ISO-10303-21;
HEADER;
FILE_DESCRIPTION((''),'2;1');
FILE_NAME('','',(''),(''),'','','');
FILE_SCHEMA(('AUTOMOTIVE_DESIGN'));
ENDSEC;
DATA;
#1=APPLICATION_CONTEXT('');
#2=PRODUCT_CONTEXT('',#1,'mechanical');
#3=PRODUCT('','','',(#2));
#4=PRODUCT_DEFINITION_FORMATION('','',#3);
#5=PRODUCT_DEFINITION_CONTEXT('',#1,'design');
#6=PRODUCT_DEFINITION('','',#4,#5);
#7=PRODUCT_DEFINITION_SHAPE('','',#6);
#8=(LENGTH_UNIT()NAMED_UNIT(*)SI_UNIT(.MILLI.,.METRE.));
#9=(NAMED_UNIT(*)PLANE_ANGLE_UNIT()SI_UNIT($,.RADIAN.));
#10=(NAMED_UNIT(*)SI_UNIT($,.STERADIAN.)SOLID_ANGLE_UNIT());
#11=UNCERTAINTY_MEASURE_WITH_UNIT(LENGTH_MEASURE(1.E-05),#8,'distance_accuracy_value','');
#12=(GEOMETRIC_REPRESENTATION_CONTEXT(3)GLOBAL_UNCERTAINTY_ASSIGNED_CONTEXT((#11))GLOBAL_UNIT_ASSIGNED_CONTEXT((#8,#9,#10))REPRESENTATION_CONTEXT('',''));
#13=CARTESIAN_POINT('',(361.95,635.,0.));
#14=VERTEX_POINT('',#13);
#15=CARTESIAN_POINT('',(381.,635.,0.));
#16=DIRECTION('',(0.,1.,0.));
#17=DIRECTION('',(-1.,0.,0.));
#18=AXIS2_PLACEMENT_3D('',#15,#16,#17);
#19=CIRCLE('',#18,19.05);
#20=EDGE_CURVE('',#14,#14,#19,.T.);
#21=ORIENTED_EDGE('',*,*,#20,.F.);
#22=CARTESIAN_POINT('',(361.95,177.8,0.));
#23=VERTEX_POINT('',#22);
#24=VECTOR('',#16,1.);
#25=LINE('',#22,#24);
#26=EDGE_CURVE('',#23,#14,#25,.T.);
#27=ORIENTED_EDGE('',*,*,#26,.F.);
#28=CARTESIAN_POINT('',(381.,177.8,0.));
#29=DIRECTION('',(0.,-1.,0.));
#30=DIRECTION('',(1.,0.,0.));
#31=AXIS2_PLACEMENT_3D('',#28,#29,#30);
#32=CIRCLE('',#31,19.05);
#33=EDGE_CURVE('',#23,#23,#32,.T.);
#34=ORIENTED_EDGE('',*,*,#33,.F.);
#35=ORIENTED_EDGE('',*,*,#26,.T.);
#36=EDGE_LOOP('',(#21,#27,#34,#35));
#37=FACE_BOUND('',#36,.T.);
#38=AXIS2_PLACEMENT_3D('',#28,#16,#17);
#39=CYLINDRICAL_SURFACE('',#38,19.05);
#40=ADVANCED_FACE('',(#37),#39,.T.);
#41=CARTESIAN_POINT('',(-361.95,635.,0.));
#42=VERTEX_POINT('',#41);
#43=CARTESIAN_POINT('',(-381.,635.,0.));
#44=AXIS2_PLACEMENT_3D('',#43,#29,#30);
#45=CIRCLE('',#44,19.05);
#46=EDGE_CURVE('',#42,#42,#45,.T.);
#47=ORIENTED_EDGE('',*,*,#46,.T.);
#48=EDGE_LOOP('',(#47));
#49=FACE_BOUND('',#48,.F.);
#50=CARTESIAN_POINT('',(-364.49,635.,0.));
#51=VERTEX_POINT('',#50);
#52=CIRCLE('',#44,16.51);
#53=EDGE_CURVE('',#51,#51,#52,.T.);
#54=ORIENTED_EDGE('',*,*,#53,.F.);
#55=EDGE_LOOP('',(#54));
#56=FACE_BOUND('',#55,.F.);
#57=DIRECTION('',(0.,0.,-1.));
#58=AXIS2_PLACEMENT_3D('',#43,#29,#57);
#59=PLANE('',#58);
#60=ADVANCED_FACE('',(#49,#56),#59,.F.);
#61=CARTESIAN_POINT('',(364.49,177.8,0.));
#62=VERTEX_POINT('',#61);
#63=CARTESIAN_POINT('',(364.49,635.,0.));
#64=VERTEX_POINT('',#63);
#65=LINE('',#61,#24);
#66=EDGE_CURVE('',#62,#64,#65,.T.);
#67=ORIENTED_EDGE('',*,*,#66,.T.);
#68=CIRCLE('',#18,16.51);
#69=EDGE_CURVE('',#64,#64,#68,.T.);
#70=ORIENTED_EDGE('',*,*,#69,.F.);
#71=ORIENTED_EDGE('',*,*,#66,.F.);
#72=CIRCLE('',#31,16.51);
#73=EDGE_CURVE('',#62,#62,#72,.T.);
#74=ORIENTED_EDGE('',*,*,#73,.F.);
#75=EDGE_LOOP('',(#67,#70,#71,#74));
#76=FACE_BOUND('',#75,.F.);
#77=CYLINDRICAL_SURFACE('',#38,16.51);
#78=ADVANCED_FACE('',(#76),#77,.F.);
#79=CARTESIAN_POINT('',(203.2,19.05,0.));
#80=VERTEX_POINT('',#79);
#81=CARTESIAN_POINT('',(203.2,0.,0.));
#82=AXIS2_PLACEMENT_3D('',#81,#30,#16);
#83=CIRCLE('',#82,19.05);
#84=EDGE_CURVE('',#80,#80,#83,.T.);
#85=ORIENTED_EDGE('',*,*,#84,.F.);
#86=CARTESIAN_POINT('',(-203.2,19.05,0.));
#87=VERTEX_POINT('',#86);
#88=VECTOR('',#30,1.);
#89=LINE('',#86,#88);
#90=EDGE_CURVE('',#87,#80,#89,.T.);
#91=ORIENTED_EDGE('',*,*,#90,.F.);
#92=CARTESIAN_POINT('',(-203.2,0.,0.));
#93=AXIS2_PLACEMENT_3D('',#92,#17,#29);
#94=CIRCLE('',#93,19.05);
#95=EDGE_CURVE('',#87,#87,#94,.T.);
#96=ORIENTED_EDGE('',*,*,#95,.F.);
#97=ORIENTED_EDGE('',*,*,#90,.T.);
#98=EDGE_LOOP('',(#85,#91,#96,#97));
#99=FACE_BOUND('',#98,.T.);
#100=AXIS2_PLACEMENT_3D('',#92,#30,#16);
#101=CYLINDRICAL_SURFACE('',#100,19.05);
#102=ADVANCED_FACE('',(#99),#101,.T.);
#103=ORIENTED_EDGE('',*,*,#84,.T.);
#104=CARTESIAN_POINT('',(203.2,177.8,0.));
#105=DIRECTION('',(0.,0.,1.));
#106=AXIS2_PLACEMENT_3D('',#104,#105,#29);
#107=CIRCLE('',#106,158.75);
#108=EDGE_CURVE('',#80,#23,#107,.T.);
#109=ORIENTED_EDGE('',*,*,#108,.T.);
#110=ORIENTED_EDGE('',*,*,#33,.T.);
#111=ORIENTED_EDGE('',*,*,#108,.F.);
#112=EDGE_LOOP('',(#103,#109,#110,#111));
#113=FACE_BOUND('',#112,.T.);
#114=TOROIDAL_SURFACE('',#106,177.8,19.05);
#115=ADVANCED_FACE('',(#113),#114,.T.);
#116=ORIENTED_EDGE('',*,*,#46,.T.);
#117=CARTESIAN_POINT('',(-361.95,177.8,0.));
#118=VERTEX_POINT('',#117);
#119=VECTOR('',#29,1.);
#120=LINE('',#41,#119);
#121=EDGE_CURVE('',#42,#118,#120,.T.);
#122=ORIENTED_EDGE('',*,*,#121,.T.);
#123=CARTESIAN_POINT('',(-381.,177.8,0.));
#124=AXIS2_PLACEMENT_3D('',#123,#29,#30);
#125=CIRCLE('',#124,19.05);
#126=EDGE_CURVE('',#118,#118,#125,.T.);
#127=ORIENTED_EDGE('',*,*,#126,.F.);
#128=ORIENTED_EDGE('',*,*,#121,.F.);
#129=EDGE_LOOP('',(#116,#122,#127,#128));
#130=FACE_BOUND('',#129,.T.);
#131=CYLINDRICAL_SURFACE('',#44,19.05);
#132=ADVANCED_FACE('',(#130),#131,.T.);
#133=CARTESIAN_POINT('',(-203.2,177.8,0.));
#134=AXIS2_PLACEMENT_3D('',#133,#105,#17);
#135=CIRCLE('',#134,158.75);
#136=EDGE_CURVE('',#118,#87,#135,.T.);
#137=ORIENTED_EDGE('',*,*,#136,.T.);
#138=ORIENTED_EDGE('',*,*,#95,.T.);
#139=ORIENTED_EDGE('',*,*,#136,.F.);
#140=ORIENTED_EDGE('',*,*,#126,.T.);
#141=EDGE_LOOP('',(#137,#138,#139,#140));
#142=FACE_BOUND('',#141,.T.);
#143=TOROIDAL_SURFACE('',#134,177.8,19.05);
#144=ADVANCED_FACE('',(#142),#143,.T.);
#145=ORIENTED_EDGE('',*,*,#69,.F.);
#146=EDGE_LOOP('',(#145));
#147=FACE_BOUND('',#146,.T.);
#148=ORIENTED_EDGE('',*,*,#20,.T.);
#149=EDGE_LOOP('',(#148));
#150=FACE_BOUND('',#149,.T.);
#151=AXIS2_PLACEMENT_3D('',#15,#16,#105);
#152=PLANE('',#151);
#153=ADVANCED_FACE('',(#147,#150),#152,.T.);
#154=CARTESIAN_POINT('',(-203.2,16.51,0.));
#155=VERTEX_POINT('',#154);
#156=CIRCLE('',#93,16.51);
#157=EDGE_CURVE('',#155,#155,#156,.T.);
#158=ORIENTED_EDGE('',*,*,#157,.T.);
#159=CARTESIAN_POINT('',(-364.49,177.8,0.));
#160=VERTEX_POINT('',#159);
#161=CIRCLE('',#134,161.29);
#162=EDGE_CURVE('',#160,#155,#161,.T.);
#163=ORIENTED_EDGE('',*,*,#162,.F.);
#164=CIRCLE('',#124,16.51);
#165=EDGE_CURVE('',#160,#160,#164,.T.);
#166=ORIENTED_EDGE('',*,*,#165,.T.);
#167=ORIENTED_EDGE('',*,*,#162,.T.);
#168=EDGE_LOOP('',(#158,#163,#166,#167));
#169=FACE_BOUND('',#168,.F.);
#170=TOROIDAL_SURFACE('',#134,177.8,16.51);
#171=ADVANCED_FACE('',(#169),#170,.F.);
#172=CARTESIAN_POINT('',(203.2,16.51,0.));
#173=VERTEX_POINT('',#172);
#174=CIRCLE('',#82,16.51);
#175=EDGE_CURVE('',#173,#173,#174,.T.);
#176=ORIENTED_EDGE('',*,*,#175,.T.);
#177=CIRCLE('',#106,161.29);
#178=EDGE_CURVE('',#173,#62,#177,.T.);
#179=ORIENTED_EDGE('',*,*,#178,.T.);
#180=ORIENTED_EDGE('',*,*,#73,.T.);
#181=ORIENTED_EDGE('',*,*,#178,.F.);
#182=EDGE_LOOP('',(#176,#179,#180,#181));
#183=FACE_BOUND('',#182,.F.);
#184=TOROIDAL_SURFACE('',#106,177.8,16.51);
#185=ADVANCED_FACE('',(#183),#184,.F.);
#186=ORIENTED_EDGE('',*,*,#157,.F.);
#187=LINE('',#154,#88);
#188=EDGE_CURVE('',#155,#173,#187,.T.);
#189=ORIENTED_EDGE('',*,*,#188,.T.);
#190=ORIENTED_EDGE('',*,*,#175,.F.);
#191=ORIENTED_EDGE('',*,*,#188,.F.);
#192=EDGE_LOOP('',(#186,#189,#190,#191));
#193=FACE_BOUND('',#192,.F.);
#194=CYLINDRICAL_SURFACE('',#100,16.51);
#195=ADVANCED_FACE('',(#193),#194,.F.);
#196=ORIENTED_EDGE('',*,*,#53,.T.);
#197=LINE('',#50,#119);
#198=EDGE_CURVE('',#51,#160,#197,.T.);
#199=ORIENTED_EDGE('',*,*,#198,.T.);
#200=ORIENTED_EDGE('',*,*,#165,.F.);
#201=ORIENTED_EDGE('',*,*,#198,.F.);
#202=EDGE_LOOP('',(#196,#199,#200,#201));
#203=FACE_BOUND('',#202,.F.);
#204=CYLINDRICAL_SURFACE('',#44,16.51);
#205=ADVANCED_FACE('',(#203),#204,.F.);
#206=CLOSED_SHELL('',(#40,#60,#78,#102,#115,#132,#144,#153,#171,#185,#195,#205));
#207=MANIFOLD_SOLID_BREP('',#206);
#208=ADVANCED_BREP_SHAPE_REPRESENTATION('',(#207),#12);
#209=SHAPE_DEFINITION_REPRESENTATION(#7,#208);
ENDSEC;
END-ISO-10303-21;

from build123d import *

# Parameters (mm, degrees)
F2_R = 19.05
F4_T = -2.54


with BuildPart() as f3:
    # F3: sweep along a path in F0
    with BuildLine(Plane.XY) as f3_path:
        Line((-381, 635), (-381, 177.8))
        ThreePointArc((-381, 177.8), (-328.923585695, 52.076414305), (-203.2, 0))
        Line((-203.2, 0), (203.2, 0))
        ThreePointArc((203.2, 0), (328.923585695, 52.076414305), (381, 177.8))
        Line((381, 177.8), (381, 635))
    # F2 (on line) → F3 (sweep)
    with BuildSketch(Plane.XZ.offset(-635)):
        with Locations((-381, 0)):
            Circle(F2_R)
    sweep(path=f3_path.line)

    # F4
    f4_openings = [f3.faces().sort_by_distance(p)[0] for p in [
        (381, 635, 0),
        (-381, 635, 0),
    ]]
    offset(amount=F4_T, openings=f4_openings)


solid = f3.part
